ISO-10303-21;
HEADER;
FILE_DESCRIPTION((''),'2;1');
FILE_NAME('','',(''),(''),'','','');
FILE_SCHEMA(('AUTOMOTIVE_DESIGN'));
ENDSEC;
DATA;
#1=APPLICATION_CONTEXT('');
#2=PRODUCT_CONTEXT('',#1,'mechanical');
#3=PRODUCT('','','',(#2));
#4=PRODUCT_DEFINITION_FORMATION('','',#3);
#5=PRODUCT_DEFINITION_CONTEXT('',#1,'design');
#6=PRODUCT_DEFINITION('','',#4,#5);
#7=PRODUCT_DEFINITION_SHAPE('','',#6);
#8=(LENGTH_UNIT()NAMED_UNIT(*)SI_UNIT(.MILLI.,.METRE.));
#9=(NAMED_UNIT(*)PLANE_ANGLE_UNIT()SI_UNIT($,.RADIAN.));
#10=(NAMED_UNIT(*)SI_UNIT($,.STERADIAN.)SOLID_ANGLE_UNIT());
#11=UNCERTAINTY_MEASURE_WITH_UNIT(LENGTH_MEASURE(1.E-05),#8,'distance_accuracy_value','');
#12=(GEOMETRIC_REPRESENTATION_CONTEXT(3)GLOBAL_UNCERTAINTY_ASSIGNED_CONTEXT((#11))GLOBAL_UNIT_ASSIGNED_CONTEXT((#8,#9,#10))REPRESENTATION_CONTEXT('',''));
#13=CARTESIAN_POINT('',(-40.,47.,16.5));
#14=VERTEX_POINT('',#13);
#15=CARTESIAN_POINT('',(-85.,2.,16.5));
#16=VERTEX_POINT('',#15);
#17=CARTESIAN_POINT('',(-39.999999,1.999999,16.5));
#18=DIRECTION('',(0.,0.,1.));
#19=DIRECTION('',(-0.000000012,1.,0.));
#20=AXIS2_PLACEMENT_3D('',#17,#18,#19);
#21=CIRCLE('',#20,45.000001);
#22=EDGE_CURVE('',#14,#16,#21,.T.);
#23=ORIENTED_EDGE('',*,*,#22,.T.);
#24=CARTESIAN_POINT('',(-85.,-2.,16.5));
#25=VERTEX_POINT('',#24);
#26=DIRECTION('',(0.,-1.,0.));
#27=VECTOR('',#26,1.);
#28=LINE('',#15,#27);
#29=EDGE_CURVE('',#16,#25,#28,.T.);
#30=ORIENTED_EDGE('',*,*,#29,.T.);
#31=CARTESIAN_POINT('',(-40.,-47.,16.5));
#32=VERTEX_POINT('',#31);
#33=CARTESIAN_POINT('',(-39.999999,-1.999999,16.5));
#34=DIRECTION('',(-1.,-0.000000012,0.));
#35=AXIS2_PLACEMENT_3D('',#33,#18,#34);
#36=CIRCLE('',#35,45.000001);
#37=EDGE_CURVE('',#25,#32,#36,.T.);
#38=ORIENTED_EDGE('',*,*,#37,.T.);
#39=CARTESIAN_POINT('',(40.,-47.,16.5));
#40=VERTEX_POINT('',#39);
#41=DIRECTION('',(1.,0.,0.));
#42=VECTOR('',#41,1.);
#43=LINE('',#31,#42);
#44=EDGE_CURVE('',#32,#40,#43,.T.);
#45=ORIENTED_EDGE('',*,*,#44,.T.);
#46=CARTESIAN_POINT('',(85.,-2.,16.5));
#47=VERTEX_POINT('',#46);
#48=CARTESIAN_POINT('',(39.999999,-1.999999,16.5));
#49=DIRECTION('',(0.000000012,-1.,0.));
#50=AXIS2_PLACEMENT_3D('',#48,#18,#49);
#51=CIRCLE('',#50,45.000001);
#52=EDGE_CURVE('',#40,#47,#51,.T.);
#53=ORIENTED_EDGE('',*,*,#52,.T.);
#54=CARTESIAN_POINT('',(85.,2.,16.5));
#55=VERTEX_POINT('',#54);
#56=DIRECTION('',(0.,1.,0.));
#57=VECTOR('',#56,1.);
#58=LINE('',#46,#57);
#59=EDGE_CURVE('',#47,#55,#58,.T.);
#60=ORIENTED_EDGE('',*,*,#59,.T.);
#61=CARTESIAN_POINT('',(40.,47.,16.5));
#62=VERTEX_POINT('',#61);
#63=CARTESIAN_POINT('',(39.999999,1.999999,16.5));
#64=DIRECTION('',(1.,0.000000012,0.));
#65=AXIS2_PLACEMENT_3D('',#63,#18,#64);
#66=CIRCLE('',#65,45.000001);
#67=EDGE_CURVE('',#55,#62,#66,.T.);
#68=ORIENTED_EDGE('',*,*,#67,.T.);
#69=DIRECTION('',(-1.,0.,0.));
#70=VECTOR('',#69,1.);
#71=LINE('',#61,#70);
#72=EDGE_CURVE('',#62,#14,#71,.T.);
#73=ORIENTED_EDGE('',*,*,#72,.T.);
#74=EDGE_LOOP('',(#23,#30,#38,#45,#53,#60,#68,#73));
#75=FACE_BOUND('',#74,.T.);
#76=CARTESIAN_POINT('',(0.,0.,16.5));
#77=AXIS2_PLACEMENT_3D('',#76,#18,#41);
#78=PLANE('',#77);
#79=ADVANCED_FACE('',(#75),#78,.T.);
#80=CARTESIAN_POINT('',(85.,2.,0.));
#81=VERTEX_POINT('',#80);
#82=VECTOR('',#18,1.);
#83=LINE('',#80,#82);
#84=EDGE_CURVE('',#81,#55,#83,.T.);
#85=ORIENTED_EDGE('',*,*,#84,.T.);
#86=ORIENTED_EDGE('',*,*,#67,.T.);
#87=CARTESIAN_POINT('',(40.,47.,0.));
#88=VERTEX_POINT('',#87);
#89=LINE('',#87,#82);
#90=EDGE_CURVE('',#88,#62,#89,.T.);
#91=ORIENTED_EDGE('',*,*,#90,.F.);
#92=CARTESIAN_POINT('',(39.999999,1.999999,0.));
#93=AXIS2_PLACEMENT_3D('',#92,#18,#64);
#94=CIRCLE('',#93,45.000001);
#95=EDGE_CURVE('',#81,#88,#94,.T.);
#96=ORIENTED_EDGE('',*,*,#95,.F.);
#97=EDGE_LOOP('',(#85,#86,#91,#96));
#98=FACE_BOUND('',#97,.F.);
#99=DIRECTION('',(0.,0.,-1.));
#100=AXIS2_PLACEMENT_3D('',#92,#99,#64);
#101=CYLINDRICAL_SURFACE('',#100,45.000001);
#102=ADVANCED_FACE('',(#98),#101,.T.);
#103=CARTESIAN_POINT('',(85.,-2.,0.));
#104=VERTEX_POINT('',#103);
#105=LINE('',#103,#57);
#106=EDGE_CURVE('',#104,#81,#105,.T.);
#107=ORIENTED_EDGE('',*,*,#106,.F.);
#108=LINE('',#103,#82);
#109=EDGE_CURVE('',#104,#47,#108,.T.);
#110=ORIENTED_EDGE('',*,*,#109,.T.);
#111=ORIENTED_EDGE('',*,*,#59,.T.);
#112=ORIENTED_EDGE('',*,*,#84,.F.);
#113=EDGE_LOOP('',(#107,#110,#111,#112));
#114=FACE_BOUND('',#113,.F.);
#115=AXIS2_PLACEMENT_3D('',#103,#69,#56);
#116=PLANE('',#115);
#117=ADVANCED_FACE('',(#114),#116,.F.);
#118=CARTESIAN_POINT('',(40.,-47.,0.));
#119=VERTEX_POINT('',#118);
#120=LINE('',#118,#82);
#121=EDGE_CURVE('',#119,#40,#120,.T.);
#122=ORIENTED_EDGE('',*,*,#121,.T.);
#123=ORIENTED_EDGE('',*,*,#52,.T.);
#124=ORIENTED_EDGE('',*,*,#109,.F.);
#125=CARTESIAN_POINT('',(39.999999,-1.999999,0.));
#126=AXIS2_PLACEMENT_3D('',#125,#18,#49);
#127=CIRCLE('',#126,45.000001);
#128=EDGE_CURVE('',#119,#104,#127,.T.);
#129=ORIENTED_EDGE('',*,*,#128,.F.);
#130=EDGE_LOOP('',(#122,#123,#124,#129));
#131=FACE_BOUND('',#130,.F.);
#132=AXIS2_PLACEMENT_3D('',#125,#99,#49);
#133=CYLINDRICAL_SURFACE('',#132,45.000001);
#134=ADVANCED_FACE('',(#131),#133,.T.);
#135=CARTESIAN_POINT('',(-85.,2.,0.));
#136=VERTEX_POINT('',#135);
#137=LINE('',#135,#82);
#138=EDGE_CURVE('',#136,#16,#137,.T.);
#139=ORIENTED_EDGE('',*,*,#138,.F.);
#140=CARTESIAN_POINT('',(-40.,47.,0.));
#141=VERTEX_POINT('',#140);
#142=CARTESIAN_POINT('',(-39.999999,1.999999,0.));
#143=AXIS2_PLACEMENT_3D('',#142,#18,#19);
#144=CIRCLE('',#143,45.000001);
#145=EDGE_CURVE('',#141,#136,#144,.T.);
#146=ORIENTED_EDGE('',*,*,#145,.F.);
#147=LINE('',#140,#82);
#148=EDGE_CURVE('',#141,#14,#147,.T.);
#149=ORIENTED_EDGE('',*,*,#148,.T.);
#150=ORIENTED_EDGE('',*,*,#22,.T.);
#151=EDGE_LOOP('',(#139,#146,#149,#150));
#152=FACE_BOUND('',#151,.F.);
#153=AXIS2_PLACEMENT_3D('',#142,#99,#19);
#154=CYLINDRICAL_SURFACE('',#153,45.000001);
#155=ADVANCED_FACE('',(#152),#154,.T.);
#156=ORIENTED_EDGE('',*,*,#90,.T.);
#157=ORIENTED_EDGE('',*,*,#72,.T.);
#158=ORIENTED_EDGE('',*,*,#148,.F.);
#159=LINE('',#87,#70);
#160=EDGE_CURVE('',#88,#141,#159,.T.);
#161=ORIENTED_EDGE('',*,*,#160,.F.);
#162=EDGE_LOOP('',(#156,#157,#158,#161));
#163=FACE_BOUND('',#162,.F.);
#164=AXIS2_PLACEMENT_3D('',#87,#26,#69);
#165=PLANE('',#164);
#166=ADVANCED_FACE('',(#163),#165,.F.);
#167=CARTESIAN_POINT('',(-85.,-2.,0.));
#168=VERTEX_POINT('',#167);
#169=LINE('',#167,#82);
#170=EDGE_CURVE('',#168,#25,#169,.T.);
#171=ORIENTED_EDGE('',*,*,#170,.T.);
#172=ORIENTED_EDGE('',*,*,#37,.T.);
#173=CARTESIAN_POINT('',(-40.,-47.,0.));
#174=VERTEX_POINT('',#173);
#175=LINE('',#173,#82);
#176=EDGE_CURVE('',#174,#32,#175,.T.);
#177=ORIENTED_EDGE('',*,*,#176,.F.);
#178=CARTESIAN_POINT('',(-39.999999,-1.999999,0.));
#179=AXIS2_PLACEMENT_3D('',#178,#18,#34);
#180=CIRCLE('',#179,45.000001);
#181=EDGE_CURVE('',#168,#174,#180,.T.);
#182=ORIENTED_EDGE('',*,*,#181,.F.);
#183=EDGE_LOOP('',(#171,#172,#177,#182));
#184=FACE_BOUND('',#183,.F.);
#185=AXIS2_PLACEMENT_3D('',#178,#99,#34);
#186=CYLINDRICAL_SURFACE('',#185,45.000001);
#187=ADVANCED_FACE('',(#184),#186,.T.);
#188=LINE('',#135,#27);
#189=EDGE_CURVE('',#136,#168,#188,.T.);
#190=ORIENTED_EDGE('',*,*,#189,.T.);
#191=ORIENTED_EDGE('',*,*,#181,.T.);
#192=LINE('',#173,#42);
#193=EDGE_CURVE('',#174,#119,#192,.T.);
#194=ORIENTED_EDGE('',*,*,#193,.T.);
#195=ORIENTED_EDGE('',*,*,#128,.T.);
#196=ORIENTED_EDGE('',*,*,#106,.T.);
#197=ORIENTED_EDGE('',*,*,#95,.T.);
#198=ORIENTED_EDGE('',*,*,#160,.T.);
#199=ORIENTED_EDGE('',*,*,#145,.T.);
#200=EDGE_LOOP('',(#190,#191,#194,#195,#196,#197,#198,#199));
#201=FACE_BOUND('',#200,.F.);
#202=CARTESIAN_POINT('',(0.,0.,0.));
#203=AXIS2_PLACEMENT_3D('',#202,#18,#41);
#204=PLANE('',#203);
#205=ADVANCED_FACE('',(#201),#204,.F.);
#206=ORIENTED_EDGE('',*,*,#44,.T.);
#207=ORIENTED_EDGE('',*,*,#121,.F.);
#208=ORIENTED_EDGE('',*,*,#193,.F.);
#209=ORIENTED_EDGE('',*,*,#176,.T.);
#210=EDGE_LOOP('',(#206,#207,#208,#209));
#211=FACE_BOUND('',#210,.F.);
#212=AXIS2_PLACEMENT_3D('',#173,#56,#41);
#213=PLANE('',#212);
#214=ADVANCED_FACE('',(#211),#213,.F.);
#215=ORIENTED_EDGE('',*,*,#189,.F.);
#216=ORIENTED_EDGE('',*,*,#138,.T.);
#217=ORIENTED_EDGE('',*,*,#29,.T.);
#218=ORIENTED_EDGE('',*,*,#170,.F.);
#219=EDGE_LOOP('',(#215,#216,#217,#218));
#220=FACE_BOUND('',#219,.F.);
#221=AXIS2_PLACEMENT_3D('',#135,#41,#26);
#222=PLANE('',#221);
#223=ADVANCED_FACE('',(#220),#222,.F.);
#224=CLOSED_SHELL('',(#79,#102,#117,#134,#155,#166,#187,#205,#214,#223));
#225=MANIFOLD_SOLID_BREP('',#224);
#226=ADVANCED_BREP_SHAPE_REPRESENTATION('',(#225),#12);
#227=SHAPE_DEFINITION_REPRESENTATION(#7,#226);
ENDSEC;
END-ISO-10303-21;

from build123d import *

# Parameters (mm, degrees)
F2_DEPTH = 16.5
F3_DEPTH = 21


with BuildPart() as f2:
    # F1 (on face) → F2 (new body)
    with BuildSketch(Plane.XY):
        with BuildLine():
            Line((-40, -47), (40, -47))
            ThreePointArc((40, -47), (71.819805, -33.819805), (85, -2))
            Line((85, -2), (85, 2))
            ThreePointArc((85, 2), (71.819805, 33.819805), (40, 47))
            Line((40, 47), (-40, 47))
            ThreePointArc((-40, 47), (-71.819805, 33.819805), (-85, 2))
            Line((-85, 2), (-85, -2))
            ThreePointArc((-85, -2), (-71.819805, -33.819805), (-40, -47))
        make_face()
    extrude(amount=F2_DEPTH)

    # F0 (on Top) → F3 (intersect)
    with BuildSketch(Plane.XY):
        with BuildLine():
            Line((-44.5, -51.5), (44.5, -51.5))
            ThreePointArc((44.5, -51.5), (76.319805, -38.319805), (89.5, -6.5))
            Line((89.5, -6.5), (89.5, 6.5))
            ThreePointArc((89.5, 6.5), (76.319805, 38.319805), (44.5, 51.5))
            Line((44.5, 51.5), (-44.5, 51.5))
            ThreePointArc((-44.5, 51.5), (-76.319805, 38.319805), (-89.5, 6.5))
            Line((-89.5, 6.5), (-89.5, -6.5))
            ThreePointArc((-89.5, -6.5), (-76.319805, -38.319805), (-44.5, -51.5))
        make_face()
    extrude(amount=F3_DEPTH, mode=Mode.INTERSECT)


solid = f2.part
